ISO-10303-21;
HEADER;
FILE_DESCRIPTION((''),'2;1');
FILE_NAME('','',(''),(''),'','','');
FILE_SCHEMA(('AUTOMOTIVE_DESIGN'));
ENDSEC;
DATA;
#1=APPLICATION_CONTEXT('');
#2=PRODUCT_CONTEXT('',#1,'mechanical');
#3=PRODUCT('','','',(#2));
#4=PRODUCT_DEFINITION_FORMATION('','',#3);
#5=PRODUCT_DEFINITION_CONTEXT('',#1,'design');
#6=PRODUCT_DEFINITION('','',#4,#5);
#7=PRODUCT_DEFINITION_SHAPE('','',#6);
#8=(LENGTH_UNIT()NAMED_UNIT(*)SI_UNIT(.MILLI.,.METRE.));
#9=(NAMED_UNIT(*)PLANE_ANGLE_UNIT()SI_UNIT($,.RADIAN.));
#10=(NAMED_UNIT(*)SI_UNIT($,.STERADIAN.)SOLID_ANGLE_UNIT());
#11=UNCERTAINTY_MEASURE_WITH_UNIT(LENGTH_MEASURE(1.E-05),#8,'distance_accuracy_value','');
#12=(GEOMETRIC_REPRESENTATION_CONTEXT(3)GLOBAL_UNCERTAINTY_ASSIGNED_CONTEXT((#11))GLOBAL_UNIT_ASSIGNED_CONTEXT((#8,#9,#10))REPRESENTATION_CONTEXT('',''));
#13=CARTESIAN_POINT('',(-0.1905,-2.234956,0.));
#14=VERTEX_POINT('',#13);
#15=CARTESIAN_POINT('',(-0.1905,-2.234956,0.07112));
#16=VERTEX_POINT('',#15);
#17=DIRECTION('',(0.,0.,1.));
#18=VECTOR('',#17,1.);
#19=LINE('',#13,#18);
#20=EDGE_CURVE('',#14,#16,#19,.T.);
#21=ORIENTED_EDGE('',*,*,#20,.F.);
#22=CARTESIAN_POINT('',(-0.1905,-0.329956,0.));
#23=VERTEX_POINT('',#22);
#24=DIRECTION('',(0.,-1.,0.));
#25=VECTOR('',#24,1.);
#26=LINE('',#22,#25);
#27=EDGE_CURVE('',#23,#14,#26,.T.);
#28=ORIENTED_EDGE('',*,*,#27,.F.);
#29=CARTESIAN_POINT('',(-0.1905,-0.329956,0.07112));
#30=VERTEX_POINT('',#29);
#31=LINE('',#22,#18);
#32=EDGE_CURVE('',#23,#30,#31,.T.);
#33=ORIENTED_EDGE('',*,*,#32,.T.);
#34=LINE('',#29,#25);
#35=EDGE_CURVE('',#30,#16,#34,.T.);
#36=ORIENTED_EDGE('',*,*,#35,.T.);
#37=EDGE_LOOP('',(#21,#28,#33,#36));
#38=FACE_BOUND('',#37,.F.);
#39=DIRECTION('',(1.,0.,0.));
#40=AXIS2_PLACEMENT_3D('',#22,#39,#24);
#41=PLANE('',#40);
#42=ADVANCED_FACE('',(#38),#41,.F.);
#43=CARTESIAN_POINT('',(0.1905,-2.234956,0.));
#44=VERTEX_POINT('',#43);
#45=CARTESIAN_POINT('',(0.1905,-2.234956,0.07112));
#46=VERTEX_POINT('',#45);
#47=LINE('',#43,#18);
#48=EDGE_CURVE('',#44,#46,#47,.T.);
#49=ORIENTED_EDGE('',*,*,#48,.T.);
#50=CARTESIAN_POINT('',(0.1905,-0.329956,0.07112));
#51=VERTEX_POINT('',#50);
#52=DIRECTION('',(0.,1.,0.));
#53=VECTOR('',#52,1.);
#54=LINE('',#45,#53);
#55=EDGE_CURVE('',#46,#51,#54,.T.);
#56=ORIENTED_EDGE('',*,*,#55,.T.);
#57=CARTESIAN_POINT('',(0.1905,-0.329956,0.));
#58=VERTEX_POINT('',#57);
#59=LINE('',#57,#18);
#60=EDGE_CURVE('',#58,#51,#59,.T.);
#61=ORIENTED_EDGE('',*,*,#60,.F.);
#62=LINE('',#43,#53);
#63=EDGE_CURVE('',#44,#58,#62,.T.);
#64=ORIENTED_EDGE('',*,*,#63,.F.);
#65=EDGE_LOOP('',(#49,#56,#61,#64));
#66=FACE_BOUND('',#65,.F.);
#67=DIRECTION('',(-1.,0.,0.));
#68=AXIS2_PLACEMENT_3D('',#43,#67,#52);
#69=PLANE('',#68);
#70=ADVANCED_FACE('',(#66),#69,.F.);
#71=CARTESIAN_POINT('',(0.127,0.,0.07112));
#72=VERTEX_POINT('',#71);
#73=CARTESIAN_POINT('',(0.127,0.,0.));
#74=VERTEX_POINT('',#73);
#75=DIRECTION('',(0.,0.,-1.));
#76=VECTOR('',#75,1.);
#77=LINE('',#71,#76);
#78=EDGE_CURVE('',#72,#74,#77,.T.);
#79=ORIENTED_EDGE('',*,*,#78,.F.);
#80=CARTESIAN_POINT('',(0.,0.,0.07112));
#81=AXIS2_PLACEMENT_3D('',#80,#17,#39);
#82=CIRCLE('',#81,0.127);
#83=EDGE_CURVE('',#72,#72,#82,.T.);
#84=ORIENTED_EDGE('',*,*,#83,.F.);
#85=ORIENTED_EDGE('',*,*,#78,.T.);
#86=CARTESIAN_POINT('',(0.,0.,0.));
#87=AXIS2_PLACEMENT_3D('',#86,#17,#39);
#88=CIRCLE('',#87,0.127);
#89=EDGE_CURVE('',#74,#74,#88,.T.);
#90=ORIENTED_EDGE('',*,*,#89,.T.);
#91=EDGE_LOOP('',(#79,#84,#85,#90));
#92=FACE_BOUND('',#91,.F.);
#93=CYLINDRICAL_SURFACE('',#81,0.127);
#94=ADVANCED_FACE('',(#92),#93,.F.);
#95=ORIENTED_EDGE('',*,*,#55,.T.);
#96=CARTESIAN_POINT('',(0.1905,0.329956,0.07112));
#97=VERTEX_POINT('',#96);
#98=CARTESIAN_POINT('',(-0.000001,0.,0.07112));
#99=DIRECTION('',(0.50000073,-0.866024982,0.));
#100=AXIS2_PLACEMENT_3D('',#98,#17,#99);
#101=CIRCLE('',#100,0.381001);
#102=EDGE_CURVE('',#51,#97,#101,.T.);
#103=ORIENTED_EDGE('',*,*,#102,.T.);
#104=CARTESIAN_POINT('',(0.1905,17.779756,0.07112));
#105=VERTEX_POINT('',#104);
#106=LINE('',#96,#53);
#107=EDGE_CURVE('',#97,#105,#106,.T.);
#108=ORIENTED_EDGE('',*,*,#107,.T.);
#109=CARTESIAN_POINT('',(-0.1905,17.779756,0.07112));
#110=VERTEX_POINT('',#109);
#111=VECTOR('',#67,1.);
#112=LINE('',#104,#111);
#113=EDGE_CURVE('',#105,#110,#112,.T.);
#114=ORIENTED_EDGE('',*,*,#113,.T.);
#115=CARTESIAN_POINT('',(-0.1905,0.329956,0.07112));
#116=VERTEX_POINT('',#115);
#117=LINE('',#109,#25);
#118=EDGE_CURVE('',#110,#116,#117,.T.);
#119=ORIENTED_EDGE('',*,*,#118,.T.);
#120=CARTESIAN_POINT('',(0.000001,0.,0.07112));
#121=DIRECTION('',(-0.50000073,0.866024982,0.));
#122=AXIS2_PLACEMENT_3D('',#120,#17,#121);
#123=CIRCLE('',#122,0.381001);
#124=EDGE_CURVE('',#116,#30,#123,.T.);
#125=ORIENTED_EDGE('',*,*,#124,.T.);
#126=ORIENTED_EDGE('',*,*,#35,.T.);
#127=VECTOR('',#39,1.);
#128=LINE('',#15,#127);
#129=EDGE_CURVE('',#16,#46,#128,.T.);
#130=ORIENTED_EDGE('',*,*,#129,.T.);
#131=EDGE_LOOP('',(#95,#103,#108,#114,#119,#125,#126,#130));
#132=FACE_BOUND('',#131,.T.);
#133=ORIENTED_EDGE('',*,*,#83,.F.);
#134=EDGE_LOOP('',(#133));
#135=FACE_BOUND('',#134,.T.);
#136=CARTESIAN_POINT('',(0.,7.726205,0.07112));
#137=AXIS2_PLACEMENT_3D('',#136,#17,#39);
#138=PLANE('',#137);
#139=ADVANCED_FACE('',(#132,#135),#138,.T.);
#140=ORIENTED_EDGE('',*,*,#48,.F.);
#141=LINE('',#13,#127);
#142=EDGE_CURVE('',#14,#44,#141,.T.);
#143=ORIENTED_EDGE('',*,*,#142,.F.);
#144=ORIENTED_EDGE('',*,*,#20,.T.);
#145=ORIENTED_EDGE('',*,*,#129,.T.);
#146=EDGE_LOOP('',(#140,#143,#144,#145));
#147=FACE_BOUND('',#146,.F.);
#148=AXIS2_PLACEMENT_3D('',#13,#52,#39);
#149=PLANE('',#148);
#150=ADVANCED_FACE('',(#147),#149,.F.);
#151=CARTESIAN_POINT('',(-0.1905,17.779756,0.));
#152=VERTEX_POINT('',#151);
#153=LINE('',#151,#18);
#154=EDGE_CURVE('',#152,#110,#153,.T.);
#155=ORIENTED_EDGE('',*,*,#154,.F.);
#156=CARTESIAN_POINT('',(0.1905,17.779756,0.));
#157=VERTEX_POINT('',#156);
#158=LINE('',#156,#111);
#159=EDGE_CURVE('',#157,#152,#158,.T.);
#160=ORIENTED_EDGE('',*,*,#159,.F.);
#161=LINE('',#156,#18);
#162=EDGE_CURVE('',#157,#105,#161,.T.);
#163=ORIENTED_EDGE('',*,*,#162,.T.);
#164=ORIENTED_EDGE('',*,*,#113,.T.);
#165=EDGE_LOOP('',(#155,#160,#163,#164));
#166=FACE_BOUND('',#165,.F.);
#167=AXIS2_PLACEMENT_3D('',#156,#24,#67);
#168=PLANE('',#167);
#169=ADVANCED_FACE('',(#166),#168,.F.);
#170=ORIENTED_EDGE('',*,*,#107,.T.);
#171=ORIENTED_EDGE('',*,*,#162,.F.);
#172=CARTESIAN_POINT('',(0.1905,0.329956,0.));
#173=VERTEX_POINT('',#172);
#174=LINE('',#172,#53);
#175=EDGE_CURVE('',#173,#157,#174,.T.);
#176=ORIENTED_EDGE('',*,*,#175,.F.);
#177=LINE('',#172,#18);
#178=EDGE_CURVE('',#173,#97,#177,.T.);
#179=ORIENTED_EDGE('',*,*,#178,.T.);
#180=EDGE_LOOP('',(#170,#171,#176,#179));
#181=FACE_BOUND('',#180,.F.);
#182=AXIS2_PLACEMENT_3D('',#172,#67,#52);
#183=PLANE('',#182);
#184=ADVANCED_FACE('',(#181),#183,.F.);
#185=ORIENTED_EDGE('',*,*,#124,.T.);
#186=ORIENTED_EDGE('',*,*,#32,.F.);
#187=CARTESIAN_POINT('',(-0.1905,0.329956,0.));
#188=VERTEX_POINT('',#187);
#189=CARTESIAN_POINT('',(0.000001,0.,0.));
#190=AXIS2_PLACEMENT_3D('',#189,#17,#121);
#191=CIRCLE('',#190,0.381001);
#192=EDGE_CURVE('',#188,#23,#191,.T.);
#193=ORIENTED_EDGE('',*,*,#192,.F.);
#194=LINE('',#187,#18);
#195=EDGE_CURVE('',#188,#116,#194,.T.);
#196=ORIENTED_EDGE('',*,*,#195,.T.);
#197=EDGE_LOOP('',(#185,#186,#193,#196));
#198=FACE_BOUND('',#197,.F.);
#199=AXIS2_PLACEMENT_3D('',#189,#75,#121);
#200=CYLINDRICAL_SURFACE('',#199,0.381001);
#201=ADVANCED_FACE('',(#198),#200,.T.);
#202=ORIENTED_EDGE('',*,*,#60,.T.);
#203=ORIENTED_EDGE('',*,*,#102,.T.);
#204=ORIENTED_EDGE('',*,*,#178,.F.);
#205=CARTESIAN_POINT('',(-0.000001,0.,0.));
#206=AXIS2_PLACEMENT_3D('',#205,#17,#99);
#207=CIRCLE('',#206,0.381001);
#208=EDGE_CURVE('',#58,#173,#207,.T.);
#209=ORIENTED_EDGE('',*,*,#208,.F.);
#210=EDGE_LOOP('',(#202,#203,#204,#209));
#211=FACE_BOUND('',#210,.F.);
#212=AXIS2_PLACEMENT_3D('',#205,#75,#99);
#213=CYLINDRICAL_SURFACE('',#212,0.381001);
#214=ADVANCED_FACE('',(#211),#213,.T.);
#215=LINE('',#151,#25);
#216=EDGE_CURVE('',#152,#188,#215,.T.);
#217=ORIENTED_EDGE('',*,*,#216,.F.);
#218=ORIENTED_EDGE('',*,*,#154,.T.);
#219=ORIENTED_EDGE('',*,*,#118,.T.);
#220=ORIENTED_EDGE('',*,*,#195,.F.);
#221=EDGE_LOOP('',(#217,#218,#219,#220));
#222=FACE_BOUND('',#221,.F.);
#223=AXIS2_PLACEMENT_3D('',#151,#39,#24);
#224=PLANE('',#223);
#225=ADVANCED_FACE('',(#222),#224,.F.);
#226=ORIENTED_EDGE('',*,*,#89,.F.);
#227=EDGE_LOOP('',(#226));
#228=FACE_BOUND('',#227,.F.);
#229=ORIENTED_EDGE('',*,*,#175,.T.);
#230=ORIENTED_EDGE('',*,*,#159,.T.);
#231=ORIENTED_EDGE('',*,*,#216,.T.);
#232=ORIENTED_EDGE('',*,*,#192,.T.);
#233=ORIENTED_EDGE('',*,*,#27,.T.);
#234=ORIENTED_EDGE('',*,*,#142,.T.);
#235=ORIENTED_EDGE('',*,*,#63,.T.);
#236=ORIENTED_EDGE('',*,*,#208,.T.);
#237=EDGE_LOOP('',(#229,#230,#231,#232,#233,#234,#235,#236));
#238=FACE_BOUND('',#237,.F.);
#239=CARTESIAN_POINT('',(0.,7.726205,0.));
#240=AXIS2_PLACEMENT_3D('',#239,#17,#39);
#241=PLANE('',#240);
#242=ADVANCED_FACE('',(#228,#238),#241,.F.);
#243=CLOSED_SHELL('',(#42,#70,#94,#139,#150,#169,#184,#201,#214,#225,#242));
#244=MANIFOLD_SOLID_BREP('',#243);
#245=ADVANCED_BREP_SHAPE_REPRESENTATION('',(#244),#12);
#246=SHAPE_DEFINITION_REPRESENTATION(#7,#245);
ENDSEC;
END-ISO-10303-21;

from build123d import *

# Parameters (mm, degrees)
F1_DEPTH = 0.07112
F2_R     = 0.127
F3_DEPTH = 25.4


with BuildPart() as f1:
    # F0 (on Top) → F1 (new body)
    with BuildSketch(Plane.XY):
        with BuildLine():
            Line((-0.1905, 17.779756), (-0.1905, 0.329956))
            ThreePointArc((-0.1905, 0.329956), (-0.381, 0), (-0.1905, -0.329956))
            Line((-0.1905, -0.329956), (-0.1905, -2.234956))
            Line((-0.1905, -2.234956), (0, -2.234956))
            Line((0, -2.234956), (0.1905, -2.234956))
            Line((0.1905, -2.234956), (0.1905, -0.329956))
            ThreePointArc((0.1905, -0.329956), (0.381, 0), (0.1905, 0.329956))
            Line((0.1905, 0.329956), (0.1905, 17.779756))
            Line((0.1905, 17.779756), (0, 17.779756))
            Line((0, 17.779756), (-0.1905, 17.779756))
        make_face()
    extrude(amount=F1_DEPTH)

    # F2 (on face) → F3 (cut)
    with BuildSketch(Plane.XY.offset(0.07112)):
        Circle(F2_R)
    extrude(amount=-F3_DEPTH, mode=Mode.SUBTRACT)


solid = f1.part
